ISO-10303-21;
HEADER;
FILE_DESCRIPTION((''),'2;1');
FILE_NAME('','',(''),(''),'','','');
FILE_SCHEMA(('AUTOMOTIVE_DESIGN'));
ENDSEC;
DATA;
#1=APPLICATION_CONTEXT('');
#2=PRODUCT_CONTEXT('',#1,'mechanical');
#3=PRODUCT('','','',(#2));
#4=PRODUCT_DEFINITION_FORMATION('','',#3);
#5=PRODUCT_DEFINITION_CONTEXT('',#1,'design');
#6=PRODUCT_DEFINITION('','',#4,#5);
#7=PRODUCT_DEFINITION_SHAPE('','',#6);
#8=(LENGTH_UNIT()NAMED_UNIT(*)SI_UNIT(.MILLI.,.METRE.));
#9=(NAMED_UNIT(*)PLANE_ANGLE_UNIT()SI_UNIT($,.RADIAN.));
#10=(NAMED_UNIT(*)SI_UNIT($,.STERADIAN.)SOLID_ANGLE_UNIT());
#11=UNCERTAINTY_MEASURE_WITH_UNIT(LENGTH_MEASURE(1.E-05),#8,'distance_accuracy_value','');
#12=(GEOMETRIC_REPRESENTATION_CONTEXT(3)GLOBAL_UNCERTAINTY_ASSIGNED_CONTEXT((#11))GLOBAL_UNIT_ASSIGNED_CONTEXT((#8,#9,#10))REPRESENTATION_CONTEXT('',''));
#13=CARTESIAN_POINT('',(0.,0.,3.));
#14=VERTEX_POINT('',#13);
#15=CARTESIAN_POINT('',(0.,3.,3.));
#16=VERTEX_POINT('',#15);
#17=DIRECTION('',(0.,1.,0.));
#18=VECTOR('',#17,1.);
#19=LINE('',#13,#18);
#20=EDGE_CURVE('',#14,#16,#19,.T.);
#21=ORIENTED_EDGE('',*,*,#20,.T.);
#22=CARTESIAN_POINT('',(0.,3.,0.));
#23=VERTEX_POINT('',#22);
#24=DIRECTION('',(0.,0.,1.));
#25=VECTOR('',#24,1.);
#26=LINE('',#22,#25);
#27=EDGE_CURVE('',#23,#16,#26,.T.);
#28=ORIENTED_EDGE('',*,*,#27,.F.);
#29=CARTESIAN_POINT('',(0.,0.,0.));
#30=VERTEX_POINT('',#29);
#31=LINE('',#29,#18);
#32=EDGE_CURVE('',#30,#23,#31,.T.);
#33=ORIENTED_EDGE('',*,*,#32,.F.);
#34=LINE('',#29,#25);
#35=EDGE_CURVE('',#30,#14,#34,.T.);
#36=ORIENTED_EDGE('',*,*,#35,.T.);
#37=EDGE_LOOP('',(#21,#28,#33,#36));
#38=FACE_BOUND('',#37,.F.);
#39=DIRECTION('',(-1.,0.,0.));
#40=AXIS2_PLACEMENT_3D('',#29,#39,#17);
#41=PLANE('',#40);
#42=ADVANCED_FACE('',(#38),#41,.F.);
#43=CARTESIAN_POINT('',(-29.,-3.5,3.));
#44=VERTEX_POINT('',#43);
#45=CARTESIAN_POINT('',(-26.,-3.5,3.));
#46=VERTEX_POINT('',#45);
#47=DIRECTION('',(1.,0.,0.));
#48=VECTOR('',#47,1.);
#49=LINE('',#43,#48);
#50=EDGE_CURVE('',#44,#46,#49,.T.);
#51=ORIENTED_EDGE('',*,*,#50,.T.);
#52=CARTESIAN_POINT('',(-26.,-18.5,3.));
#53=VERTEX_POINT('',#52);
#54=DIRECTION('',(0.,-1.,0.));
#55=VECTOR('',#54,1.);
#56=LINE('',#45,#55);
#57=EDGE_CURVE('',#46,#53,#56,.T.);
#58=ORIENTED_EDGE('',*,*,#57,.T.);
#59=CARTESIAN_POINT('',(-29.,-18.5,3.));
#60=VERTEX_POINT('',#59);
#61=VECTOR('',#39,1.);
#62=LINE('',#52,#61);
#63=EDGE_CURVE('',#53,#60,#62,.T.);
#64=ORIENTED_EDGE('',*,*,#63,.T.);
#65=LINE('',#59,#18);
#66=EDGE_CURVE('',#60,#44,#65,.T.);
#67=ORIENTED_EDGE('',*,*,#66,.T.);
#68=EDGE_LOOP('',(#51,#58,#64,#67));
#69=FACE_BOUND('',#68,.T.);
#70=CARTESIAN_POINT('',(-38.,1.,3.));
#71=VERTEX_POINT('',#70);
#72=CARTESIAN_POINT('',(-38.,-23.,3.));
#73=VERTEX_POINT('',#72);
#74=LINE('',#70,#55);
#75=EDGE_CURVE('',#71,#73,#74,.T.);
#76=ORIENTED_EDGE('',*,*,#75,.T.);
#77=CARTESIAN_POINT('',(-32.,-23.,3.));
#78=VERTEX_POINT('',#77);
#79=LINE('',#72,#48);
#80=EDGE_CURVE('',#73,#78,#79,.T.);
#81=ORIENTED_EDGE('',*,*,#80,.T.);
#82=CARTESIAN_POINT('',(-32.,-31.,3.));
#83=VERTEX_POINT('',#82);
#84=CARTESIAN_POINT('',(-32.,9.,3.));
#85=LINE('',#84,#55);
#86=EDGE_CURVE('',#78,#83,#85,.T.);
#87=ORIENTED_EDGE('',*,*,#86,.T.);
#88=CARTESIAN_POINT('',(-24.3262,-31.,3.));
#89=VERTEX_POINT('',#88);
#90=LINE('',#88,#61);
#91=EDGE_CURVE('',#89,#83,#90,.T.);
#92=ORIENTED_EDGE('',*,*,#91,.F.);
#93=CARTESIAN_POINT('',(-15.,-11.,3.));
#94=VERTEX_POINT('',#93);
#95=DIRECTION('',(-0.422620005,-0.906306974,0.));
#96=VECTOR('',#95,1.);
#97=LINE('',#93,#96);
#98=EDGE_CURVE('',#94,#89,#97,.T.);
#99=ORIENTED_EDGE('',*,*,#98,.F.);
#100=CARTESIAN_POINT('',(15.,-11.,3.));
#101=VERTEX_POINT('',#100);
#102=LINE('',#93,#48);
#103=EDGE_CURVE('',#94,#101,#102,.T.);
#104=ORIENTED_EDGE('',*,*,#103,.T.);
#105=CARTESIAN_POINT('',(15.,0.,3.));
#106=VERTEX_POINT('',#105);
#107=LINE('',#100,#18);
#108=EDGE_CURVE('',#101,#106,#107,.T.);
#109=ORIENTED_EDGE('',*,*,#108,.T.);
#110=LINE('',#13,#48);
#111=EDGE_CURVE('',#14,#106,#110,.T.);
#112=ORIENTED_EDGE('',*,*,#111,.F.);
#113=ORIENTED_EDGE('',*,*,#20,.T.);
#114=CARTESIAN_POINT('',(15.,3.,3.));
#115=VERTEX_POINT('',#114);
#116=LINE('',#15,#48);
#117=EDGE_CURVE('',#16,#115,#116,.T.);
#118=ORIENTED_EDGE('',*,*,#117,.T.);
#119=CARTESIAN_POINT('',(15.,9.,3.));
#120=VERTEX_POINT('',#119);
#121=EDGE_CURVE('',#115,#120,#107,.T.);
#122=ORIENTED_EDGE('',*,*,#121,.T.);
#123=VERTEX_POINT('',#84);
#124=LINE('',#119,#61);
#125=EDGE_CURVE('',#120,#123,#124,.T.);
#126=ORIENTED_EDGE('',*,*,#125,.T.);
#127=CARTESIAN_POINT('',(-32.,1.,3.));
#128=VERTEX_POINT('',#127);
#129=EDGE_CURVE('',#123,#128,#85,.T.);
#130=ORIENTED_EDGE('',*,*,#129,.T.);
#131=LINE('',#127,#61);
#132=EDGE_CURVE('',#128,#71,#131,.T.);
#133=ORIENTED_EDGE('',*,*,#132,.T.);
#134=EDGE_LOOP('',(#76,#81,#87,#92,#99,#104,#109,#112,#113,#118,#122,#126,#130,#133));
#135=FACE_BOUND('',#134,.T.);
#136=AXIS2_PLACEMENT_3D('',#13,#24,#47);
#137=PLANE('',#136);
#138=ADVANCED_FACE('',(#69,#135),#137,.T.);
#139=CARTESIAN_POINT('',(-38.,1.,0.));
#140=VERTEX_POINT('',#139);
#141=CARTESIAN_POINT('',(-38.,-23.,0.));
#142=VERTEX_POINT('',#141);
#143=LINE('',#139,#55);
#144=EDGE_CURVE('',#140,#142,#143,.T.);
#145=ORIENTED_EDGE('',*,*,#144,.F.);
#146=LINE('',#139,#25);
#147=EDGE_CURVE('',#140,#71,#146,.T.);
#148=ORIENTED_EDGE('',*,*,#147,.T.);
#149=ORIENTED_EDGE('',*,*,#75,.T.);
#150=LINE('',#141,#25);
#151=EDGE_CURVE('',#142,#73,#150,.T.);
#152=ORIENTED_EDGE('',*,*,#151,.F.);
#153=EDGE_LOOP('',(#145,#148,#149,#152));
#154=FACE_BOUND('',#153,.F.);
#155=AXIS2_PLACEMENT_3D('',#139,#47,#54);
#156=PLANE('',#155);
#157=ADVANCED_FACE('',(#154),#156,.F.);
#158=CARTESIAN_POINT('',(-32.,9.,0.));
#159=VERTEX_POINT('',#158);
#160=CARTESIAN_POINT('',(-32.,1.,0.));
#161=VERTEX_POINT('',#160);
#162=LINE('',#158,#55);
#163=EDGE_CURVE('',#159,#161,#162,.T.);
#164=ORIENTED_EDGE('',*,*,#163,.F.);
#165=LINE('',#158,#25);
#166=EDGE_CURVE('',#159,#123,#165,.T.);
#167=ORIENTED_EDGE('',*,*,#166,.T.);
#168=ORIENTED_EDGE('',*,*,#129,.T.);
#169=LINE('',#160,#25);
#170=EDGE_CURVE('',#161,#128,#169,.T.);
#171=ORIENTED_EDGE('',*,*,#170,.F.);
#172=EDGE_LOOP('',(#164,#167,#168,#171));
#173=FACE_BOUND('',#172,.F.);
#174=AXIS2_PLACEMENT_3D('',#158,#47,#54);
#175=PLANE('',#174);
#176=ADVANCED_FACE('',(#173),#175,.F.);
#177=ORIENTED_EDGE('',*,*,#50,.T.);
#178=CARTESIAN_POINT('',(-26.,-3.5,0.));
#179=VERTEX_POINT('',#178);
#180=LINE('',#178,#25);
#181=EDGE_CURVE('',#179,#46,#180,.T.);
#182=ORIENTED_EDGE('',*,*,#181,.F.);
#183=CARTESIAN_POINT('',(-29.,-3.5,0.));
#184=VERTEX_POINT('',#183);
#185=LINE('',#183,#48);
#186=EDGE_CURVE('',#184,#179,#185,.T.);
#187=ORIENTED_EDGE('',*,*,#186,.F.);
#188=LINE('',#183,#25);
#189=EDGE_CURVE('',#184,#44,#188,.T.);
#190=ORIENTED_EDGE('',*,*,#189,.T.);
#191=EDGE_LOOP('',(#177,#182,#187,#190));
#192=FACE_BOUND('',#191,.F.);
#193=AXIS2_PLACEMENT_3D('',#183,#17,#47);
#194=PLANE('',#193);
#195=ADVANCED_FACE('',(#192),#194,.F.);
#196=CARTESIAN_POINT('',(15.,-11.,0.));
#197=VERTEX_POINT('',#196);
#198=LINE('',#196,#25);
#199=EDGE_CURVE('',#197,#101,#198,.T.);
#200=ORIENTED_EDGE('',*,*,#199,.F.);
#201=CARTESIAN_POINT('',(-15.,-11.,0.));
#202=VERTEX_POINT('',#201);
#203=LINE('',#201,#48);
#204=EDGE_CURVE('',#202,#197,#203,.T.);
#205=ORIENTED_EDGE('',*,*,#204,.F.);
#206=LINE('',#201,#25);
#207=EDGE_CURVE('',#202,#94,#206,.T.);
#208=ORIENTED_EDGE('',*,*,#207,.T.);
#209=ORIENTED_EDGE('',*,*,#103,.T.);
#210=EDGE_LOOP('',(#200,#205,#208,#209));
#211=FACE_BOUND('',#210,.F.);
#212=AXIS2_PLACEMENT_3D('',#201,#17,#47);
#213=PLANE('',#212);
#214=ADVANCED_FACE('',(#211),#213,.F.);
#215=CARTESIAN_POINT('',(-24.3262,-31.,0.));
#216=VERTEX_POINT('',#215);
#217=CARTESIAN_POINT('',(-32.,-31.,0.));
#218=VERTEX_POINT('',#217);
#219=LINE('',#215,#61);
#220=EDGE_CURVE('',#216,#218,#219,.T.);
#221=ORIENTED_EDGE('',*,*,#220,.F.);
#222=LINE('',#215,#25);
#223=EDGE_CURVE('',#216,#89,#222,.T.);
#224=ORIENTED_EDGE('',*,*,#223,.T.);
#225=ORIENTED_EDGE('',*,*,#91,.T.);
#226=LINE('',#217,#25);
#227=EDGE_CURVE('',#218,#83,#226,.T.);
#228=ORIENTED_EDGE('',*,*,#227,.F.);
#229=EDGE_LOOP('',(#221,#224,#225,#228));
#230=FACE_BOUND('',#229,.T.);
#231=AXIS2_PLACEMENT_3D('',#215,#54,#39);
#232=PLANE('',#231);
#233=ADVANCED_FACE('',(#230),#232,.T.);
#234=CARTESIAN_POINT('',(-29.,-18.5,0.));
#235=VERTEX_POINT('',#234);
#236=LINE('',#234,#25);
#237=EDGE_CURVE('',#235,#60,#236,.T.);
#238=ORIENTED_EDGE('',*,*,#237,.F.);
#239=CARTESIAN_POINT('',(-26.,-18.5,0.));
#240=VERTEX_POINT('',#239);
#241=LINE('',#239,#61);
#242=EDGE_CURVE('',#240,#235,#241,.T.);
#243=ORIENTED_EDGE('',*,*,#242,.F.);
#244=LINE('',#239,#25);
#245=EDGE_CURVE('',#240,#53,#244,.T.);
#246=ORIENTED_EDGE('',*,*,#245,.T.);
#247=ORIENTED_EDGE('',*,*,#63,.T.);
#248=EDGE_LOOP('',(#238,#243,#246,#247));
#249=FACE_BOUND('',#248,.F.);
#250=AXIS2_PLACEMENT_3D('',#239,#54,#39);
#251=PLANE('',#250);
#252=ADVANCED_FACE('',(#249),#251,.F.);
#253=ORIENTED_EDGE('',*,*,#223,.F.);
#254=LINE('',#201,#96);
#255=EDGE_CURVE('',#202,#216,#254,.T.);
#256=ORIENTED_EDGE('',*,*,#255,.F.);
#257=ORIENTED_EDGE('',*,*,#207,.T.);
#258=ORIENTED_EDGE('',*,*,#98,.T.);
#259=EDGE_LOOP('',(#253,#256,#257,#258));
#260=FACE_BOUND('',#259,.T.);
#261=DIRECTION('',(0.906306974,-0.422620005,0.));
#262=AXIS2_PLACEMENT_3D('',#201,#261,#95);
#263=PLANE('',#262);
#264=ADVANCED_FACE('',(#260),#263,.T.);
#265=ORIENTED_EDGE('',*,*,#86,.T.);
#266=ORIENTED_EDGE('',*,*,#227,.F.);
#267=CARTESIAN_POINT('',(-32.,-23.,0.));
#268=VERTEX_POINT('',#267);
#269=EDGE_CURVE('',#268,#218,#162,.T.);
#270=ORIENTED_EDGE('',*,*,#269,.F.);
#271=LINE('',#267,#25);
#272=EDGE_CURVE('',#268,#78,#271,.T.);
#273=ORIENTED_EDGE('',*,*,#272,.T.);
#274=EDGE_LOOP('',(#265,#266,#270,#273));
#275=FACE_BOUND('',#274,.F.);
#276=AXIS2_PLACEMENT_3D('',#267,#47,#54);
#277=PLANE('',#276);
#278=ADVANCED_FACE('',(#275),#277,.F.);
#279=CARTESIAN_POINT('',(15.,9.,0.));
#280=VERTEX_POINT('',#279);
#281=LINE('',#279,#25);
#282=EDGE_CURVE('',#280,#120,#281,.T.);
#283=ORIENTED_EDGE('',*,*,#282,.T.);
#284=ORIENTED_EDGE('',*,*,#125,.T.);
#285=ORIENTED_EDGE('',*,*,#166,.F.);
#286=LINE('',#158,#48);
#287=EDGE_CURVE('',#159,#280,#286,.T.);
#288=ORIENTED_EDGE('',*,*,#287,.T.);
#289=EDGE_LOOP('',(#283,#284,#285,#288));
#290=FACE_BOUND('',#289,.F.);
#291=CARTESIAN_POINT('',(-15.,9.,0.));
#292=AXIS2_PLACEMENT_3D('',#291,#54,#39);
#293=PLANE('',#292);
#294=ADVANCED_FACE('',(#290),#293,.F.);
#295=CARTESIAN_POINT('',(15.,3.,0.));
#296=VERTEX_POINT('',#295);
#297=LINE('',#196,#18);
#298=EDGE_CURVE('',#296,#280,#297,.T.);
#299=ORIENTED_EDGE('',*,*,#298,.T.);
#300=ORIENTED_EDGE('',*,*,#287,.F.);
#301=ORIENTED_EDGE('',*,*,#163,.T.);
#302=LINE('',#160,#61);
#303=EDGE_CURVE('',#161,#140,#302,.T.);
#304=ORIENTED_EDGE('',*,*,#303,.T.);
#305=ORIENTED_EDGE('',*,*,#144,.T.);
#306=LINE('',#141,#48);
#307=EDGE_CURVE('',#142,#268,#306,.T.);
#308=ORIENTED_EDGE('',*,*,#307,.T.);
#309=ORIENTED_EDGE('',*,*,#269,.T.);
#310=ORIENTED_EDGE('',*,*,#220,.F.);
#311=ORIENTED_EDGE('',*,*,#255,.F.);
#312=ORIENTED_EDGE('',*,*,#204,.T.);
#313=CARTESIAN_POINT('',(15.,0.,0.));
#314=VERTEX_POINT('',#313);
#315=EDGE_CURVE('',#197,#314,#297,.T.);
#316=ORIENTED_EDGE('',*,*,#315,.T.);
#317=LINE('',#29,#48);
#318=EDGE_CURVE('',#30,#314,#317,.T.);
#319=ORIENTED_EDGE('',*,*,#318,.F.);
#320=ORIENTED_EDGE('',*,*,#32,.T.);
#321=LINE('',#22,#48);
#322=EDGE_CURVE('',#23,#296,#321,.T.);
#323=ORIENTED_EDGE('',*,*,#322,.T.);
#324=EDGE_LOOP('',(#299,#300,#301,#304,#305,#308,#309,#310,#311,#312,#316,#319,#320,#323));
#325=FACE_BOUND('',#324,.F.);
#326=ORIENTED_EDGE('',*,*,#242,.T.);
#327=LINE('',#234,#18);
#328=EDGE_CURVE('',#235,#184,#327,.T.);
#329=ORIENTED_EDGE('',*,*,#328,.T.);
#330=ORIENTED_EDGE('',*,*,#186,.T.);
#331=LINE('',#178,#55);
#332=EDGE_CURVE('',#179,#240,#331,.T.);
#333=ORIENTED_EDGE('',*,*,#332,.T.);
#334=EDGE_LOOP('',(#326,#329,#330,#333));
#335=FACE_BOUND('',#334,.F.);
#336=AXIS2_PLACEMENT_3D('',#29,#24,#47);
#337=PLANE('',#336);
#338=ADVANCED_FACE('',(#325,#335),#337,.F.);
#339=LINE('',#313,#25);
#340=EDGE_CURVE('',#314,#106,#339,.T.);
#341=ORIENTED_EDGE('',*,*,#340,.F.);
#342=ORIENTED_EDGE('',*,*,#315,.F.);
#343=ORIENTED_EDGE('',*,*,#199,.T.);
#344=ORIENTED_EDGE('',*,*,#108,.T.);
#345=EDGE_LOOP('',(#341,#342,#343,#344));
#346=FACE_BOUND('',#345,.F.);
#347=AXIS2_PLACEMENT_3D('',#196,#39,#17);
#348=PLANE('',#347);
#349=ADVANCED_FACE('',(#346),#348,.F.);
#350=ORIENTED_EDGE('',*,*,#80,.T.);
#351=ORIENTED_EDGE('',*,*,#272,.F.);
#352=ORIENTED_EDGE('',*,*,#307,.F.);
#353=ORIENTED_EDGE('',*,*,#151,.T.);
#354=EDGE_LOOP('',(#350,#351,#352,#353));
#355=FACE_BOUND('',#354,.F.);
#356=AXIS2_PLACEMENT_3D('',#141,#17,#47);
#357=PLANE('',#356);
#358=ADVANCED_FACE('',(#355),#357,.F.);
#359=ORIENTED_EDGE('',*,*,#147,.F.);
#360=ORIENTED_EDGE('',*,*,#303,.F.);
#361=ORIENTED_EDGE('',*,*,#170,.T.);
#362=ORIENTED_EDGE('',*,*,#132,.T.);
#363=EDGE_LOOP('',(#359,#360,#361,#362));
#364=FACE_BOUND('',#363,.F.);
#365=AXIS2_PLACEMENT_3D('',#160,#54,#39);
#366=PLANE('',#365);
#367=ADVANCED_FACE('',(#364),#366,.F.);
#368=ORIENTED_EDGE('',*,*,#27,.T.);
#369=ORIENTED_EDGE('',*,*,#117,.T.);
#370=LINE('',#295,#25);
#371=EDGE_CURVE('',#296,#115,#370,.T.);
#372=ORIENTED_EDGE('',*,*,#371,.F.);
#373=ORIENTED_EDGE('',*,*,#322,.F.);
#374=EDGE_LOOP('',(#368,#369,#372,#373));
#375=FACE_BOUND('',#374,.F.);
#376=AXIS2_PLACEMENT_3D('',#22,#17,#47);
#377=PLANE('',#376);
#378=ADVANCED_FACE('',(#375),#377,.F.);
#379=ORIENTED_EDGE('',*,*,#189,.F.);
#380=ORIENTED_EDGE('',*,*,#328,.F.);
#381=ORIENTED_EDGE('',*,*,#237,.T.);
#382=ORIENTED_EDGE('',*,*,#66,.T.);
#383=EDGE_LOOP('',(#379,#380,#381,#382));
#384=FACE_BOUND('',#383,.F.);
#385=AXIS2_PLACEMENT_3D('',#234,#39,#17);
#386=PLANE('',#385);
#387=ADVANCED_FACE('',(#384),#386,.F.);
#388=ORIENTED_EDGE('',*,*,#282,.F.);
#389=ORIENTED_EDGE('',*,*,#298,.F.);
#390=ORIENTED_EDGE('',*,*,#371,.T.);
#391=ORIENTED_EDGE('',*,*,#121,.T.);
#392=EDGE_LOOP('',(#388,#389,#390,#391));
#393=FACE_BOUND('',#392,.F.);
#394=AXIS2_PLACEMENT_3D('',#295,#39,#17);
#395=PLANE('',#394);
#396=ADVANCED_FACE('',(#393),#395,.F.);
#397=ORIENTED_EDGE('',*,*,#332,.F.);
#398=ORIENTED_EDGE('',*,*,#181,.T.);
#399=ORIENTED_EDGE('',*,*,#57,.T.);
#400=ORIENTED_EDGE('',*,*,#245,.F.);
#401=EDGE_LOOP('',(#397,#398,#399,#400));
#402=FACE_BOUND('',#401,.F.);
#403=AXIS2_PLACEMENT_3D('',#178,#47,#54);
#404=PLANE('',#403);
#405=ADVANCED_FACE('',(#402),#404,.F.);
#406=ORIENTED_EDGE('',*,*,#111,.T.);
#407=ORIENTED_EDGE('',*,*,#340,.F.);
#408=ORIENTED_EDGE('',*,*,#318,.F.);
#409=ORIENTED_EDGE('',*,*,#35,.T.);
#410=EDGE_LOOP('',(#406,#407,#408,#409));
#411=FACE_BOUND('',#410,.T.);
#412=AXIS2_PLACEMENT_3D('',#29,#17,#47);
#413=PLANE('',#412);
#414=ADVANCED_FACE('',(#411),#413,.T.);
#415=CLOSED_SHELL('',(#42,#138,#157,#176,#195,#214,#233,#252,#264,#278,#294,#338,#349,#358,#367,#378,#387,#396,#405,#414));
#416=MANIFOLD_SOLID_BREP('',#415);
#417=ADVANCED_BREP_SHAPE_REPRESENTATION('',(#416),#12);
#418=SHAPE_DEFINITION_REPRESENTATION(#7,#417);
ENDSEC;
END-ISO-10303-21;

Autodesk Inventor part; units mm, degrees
ref_plane "YZ Plane" through (0, 0, 0) normal (1, 0, 0) x (0, 1, 0)
ref_plane "XZ Plane" through (0, 0, 0) normal (0, 1, 0) x (-1, 0, 0)
ref_plane "XY Plane" through (0, 0, 0) normal (0, 0, 1) x (1, 0, 0)
sketch "Sketch1" plane through (0, 0, 0) normal (0, 0, 1) x (1, 0, 0)
  line L0 (0, 0) -> (-15, 0) construction
  line L1 (0, 0) -> (0, 3) projected
  line L2 (-15, 3) -> (0, 3) construction
  line L3 (-15, 0) -> (-15, 3) construction
  line L4 (15, 0) -> (15, 3) projected
  line L5 (15, 9) -> (-15, 9)
  line L6 (-15, -11) -> (15, -11)
  line L7 (15, -11) -> (15, 9)
  line L8 (0, 3) -> (15, 3)
  line L9 (0, 0) -> (15, 0)
  line L10 (0, 3) -> (0, 0)
  line L11 (15, 3) -> (15, 0)
  line L12 (-15, 9) -> (-32, 9)
  line L13 (-32, 9) -> (-32, -31)
  line L14 (-15, -11) -> (-24.3262, -31)
  line L15 (-15, -11) -> (7.0676, -11) construction
  line L16 (-24.3262, -31) -> (-32, -31)
  line L17 (-32, 1) -> (-38, 1)
  line L18 (-38, 1) -> (-38, -23)
  line L19 (-38, -23) -> (-32, -23)
  line L20 (-32, -23) -> (-32, 1)
  dimension "d0" = 20
  dimension "d1" = 6
  dimension "d3" = 15
  dimension "d4" = 17
  dimension "d5" = 40
  dimension "d6" = 115
  dimension "d7" = 47
  dimension "d8" = 6
  dimension "d9" = 8
  dimension "d10" = 8
extrude "Extrusion1" add sketch "Sketch1" along normal blind 3 contours L9 L7 L6 L14 L16 L13 L12 L5 L8 L1 | L13 L19 L18 L17
sketch "Sketch2" plane through (0, 0, 0) normal (0, 0, -1) x (-1, 0, 0)
  line L0 (26, -18.5) -> (29, -18.5)
  line L1 (29, -18.5) -> (29, -3.5)
  line L2 (29, -3.5) -> (26, -3.5)
  line L3 (26, -3.5) -> (26, -18.5)
  line L4 (-15, 9) -> (32, 9) projected
  line L5 (32, 9) -> (32, 1) projected
  point P0 (0, 0)
  dimension "d13" = 3
  dimension "d14" = 15
  dimension "d15" = 12.5
  dimension "d16" = 3
extrude "Extrusion2" cut sketch "Sketch2" against normal blind 3
properties part number "Camera bracket raiser"
